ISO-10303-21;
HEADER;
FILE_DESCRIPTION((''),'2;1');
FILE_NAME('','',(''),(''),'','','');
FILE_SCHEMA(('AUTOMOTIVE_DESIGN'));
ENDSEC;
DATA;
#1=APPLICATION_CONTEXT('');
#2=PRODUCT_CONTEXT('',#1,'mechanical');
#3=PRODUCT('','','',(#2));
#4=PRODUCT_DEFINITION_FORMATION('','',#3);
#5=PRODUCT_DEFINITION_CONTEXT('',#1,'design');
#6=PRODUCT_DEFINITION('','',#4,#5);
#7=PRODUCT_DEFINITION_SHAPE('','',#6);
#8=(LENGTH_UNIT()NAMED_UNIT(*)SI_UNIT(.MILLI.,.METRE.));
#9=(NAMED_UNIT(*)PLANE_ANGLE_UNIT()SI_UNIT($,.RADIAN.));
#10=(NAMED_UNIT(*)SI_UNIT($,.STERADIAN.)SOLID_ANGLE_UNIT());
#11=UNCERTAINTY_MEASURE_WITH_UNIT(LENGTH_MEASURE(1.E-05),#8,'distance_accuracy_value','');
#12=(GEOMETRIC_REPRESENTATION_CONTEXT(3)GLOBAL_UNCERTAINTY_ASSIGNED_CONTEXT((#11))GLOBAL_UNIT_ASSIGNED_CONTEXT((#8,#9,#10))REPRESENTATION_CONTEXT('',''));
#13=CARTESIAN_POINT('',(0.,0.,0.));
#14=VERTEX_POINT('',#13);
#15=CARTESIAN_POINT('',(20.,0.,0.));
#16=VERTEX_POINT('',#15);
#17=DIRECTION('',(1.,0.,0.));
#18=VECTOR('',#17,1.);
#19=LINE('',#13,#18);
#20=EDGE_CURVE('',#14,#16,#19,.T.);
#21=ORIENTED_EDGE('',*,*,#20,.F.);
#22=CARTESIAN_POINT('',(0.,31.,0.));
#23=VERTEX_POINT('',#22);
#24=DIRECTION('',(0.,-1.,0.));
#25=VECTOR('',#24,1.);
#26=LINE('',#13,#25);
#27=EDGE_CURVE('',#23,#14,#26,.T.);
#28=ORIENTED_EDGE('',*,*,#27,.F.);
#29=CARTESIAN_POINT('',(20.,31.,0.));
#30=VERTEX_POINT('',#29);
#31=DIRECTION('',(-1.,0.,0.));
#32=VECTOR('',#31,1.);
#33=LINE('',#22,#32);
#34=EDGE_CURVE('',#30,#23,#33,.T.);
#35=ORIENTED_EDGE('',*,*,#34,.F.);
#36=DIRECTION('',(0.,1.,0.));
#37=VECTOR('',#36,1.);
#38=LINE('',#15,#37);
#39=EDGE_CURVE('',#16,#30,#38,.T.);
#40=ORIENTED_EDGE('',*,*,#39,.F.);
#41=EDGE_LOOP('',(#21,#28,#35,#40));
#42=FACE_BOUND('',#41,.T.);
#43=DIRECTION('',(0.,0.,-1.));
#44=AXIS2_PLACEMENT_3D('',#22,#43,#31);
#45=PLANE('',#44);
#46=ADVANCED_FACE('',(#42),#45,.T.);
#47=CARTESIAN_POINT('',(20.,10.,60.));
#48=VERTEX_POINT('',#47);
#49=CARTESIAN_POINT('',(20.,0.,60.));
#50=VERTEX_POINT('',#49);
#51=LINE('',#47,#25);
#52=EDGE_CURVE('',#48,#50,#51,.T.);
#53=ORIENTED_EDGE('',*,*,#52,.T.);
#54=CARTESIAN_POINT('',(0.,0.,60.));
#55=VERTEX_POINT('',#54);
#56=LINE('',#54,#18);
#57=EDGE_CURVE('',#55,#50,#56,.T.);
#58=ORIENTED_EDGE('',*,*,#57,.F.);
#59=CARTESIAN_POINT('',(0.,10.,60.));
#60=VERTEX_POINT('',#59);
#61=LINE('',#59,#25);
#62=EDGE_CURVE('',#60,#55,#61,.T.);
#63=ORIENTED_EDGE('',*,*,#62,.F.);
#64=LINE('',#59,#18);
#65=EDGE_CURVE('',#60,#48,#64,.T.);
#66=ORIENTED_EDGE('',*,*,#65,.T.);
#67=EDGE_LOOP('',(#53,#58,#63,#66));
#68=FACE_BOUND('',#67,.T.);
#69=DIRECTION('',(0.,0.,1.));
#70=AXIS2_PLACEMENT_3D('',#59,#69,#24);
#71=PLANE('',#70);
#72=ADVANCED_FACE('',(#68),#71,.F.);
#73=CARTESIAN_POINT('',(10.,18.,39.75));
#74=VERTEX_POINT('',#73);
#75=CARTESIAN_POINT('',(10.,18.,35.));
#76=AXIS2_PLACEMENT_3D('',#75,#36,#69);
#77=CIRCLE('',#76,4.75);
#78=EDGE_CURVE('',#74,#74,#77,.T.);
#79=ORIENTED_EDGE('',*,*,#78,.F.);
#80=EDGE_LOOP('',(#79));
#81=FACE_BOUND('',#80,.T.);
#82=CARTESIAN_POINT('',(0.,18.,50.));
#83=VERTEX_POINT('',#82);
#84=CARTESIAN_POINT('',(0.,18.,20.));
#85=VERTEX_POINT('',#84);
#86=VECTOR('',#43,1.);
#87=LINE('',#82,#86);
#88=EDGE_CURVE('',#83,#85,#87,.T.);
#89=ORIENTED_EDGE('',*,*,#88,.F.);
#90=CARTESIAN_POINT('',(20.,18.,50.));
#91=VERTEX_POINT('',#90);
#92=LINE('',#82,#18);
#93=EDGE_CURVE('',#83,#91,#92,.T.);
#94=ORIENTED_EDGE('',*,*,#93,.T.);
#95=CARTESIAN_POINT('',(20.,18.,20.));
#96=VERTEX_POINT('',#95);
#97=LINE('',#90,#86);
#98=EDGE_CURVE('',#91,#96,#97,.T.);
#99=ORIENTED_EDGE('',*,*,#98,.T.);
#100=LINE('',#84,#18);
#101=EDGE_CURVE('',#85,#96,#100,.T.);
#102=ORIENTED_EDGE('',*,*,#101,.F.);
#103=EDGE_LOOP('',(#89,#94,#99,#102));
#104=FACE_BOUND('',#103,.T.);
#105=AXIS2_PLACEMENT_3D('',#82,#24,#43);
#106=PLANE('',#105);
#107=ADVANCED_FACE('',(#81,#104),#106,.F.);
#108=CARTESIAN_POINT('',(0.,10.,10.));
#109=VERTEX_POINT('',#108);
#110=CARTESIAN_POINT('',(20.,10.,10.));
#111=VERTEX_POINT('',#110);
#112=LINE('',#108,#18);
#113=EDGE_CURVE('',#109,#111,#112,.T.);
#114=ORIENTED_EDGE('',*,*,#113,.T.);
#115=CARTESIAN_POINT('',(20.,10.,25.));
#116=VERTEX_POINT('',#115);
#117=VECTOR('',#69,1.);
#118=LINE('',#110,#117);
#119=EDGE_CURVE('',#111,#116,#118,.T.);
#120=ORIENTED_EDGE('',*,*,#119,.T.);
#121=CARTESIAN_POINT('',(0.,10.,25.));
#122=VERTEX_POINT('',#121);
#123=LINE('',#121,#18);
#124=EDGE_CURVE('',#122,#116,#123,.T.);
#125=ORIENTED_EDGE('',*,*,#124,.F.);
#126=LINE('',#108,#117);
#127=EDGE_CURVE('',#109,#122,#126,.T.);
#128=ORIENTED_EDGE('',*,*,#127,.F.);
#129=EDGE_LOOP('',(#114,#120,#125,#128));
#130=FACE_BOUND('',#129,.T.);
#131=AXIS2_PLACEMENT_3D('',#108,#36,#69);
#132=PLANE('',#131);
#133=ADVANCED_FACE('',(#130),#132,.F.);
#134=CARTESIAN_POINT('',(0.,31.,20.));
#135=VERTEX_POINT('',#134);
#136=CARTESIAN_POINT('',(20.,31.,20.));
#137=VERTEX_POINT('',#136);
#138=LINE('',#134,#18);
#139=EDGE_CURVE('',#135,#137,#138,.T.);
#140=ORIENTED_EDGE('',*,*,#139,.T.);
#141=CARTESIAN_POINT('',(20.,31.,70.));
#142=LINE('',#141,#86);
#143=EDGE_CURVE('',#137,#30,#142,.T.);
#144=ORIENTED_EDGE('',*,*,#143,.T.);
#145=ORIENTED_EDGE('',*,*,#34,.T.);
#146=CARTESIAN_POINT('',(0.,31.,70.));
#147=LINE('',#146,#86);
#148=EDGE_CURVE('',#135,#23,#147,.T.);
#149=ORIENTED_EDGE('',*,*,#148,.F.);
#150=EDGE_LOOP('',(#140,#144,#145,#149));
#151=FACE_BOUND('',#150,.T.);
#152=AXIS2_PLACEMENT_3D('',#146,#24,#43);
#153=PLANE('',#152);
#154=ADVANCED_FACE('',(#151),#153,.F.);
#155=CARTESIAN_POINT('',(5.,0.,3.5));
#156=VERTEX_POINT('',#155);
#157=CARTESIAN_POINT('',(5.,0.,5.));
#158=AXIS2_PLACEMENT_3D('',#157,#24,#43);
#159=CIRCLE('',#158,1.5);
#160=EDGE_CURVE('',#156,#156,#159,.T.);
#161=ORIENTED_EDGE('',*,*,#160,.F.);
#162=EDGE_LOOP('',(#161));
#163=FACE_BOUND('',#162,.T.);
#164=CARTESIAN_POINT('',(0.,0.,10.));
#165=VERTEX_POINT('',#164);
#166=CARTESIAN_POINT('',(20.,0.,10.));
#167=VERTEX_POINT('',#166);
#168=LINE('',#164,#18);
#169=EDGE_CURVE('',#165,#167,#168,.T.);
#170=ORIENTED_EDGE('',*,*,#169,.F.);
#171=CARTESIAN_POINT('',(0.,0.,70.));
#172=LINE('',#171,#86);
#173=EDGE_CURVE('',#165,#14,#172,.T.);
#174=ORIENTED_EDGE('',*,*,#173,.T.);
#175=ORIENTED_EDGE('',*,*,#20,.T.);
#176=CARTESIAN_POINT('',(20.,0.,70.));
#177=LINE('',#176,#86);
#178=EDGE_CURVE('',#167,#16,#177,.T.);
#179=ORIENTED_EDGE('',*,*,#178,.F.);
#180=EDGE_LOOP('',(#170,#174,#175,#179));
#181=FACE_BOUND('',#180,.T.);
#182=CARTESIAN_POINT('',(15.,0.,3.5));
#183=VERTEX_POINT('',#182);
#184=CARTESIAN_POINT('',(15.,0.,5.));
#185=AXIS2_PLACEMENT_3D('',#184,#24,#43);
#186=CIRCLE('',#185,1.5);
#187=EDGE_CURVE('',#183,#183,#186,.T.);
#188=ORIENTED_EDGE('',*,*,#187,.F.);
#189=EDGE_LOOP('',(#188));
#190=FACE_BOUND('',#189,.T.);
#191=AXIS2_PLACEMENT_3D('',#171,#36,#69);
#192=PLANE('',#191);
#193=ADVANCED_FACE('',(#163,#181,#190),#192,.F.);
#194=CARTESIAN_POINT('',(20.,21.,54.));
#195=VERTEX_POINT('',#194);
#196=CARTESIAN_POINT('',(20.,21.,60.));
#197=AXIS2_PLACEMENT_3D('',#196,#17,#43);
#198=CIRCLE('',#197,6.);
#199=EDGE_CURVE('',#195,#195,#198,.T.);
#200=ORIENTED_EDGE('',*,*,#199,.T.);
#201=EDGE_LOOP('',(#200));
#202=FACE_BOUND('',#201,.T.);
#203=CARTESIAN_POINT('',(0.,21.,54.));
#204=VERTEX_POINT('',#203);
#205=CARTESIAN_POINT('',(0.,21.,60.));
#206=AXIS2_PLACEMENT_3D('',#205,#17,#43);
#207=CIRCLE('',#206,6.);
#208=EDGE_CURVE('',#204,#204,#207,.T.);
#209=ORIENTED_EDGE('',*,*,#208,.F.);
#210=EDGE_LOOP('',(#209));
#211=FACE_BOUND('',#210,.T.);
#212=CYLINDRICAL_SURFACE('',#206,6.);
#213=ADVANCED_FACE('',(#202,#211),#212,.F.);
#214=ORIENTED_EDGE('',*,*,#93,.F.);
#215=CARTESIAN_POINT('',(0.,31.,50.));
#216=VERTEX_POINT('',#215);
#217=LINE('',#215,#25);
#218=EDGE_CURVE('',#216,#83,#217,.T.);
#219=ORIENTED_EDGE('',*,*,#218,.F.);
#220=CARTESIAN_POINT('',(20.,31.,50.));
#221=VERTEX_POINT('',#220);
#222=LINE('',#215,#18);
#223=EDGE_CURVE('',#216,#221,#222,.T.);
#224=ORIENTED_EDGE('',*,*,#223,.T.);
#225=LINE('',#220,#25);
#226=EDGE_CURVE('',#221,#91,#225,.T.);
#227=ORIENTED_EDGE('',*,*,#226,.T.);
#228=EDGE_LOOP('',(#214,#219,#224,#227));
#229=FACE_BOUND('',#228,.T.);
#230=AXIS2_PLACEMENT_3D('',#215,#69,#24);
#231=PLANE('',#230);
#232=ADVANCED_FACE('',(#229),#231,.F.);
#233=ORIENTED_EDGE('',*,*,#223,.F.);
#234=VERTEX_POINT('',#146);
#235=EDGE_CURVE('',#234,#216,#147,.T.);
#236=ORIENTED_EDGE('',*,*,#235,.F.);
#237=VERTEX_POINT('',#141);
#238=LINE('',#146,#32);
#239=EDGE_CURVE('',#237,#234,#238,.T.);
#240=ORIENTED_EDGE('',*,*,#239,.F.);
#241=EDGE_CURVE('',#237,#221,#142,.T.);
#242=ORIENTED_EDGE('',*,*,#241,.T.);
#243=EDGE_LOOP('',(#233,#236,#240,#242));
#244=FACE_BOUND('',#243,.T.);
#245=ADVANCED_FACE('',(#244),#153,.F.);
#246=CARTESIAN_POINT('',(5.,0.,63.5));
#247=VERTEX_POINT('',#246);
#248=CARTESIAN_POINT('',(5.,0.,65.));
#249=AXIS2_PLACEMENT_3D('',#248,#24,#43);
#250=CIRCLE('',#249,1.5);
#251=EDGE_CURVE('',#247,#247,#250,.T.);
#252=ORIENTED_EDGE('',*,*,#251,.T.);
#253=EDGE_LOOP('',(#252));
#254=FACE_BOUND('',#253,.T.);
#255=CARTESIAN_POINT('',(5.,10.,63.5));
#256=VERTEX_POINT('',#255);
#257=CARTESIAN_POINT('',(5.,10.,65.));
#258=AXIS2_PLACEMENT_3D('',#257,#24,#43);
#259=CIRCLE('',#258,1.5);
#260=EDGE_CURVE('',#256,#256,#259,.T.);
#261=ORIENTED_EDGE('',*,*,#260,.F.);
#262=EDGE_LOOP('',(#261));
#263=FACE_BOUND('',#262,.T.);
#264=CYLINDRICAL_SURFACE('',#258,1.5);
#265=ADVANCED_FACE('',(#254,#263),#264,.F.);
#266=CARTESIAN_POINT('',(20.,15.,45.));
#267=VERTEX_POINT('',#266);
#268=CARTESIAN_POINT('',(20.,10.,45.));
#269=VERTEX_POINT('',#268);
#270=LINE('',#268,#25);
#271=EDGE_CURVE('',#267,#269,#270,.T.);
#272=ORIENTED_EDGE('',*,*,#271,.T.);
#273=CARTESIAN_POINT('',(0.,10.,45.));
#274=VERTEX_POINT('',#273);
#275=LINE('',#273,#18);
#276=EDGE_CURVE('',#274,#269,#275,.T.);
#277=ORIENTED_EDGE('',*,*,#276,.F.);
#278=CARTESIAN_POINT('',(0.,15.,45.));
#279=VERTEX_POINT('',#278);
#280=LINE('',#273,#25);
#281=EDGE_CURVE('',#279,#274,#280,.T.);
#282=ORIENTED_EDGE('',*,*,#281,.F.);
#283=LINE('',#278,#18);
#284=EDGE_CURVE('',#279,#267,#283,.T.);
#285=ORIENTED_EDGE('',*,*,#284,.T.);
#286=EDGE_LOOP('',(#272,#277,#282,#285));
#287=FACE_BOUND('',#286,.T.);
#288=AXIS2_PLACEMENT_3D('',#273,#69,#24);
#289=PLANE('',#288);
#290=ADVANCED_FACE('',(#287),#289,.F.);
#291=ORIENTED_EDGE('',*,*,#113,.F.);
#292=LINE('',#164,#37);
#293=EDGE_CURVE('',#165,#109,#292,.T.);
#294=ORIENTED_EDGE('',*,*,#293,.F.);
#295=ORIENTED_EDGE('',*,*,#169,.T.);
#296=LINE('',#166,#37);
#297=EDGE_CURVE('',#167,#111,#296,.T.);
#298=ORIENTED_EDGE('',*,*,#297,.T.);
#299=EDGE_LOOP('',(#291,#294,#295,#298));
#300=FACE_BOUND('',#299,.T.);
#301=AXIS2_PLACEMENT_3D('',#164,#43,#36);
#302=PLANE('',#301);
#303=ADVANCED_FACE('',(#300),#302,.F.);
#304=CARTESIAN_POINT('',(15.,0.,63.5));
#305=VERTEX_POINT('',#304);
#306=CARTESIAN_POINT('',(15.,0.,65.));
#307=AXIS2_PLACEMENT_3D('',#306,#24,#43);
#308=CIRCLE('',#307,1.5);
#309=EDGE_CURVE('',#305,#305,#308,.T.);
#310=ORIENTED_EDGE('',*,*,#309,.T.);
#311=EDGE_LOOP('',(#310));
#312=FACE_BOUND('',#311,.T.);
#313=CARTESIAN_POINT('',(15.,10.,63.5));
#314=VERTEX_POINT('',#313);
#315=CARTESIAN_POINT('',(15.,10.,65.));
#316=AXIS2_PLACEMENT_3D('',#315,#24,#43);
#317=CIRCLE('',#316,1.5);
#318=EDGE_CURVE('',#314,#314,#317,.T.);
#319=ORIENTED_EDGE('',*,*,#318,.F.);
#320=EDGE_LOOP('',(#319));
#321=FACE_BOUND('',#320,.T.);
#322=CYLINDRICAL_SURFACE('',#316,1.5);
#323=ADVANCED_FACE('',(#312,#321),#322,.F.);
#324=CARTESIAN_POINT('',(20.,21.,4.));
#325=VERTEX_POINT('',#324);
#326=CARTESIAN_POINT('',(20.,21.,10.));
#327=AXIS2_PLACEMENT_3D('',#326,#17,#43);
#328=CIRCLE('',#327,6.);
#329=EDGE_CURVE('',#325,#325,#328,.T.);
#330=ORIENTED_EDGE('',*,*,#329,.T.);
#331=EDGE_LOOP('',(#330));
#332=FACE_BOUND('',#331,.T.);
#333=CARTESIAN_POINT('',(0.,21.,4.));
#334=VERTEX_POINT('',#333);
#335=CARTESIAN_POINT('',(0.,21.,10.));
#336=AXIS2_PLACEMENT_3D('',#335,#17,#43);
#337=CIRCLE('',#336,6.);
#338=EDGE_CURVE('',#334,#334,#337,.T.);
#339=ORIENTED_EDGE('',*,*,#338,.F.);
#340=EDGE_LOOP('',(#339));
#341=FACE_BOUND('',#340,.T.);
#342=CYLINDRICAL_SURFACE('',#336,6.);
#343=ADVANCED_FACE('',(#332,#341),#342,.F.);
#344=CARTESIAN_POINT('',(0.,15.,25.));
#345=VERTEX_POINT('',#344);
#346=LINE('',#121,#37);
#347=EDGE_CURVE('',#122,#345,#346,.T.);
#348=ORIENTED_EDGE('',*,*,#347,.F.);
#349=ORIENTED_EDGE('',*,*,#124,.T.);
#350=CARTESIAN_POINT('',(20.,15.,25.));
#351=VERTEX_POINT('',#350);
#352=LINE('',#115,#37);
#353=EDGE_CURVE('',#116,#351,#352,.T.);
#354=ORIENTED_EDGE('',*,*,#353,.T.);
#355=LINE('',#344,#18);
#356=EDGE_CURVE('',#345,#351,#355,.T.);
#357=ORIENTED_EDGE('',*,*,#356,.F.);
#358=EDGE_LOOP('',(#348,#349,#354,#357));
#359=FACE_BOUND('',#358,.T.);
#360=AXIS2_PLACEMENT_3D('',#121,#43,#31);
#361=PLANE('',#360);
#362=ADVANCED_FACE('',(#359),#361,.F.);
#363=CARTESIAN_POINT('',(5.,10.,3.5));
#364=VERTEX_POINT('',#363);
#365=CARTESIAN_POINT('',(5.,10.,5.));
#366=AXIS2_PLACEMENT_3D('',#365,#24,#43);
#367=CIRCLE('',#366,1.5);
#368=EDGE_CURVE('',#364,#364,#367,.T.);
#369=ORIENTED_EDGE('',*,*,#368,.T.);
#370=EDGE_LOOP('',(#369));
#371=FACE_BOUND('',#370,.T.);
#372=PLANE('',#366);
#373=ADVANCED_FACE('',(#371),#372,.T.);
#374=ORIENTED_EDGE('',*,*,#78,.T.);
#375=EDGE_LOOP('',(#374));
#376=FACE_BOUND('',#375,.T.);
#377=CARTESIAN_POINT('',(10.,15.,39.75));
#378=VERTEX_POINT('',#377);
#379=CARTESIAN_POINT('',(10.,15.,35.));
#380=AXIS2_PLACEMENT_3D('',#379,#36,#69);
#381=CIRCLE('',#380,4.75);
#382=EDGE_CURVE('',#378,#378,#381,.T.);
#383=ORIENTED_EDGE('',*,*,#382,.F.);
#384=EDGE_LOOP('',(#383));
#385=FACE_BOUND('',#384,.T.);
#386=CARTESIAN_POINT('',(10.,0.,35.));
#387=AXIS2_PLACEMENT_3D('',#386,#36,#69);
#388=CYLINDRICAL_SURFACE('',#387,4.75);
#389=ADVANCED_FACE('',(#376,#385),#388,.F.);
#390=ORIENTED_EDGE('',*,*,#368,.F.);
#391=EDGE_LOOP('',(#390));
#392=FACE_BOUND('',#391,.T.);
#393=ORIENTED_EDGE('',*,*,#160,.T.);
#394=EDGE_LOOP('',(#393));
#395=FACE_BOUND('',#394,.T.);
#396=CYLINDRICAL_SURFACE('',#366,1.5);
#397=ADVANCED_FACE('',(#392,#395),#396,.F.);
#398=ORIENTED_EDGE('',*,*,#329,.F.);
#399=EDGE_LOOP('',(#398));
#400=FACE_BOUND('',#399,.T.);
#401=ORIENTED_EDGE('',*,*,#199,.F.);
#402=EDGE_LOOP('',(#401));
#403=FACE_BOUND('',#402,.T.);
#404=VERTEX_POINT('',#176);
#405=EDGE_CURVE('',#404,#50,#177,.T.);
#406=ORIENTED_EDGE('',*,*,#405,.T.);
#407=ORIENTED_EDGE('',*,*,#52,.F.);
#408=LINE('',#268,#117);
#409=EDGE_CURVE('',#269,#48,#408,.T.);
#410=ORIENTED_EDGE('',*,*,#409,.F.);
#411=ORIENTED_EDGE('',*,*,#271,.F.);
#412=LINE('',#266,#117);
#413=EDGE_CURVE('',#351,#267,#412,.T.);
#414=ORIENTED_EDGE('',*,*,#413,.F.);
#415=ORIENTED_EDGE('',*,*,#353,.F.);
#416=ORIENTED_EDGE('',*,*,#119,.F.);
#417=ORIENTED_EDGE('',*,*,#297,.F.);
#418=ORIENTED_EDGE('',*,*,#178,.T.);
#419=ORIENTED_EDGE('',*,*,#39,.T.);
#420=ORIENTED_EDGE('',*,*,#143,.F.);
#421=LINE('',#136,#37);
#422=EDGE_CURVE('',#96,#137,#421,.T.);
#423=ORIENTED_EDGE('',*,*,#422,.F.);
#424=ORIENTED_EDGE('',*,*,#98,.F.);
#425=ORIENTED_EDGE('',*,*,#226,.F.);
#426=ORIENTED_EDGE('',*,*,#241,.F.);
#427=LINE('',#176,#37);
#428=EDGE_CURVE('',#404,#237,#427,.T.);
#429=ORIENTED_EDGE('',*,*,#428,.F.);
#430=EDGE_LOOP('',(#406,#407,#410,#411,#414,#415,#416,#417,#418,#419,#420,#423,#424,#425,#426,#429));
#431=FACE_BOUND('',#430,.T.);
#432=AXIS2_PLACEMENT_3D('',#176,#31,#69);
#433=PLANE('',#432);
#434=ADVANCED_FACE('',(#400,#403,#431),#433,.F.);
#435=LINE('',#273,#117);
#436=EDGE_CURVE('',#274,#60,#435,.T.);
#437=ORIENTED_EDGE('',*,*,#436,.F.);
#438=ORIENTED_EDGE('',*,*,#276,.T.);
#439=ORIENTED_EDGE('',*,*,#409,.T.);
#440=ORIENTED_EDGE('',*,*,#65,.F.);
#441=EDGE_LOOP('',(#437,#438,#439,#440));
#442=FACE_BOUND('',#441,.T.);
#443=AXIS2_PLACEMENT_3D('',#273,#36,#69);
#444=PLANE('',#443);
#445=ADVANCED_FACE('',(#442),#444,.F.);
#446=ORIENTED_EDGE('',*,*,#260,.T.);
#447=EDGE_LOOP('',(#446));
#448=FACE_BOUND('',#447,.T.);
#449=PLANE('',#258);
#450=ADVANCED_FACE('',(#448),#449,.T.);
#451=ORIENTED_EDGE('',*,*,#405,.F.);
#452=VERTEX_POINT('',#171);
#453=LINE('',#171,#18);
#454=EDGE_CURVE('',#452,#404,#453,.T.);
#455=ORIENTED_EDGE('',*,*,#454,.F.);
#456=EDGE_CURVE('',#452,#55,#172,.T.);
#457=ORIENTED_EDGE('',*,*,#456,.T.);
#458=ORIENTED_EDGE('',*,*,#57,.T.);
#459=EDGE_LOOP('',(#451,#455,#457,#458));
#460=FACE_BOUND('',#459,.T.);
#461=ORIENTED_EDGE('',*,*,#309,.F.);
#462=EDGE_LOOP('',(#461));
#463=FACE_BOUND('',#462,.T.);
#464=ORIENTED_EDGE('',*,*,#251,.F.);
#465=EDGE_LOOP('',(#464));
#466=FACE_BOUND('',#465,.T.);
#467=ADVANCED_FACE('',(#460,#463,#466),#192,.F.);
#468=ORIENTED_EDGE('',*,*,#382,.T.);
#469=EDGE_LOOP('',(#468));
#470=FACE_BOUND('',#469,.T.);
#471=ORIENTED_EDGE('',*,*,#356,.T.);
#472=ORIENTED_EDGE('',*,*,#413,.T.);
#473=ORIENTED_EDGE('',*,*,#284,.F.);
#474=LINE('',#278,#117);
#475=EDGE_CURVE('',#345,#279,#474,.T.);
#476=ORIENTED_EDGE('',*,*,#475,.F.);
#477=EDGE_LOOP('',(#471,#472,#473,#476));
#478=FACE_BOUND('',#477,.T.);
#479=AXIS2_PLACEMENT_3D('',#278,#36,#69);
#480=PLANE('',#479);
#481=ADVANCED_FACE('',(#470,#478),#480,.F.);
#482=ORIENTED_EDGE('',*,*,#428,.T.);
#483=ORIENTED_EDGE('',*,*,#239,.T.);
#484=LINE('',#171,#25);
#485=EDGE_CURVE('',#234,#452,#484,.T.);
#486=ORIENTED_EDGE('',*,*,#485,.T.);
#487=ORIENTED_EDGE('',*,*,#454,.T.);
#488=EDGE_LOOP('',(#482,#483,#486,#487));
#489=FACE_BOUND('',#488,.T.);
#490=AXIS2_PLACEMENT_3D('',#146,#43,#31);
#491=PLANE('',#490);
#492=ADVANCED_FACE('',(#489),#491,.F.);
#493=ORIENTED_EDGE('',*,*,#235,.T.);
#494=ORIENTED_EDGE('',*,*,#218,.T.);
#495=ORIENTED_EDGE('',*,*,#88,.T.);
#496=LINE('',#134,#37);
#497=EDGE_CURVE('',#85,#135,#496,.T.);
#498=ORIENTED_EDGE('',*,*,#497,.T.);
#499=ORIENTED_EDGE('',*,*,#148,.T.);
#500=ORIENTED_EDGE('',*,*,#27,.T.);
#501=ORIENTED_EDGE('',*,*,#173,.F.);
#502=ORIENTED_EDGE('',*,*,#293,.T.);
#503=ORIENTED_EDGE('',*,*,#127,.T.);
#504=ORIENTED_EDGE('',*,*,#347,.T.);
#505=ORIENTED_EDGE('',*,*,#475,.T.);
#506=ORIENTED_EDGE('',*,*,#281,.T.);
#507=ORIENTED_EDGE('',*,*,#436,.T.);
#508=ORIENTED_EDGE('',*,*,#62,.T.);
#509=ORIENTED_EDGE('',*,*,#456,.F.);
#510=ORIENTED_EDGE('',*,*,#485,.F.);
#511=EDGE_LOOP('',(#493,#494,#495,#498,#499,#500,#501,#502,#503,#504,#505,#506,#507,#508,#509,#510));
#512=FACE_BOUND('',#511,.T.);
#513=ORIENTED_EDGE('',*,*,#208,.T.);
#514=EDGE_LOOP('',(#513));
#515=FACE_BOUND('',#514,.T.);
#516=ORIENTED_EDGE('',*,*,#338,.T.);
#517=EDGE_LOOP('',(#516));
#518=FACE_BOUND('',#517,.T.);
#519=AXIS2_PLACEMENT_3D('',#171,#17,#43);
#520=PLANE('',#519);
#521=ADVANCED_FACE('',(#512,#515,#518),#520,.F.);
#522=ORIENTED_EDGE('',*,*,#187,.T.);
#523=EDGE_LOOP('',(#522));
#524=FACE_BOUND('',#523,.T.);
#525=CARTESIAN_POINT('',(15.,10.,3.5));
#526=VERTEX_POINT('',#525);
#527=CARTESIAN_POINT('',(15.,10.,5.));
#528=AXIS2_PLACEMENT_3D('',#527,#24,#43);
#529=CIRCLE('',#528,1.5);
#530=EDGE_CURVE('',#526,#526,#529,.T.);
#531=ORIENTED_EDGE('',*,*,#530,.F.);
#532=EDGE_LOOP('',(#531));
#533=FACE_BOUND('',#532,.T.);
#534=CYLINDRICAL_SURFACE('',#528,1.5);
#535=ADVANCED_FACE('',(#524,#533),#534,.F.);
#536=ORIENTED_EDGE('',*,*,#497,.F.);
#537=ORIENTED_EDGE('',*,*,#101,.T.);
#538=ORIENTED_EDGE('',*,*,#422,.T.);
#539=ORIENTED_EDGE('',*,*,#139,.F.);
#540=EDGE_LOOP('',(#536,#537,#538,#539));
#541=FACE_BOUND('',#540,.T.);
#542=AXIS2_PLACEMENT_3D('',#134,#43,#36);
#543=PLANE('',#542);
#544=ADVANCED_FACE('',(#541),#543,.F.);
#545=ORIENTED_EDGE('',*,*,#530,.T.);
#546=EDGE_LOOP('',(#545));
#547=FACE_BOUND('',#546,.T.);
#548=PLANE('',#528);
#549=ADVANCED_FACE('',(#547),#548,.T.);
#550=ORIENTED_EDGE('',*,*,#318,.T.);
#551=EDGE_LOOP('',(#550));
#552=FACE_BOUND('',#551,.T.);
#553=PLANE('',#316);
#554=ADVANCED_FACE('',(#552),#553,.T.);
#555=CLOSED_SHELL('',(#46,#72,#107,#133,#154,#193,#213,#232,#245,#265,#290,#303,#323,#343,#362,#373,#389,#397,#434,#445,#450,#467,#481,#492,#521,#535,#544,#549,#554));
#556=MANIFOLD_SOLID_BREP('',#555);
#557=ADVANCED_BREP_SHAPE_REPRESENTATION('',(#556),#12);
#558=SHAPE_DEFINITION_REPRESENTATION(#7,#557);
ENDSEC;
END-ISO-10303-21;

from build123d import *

# Parameters (mm, degrees)
ESQUISSE1_W             = 20
ESQUISSE1_H             = 31
EXTRUSION1_DEPTH        = 70
ESQUISSE2_W             = 30
ESQUISSE2_H             = 13
EXTRUSION2_DEPTH        = 80.126481029
ESQUISSE3_R             = 4.75
EXTRUSION3_DEPTH        = 75.993333037
ESQUISSE4_R             = 6
EXTRUSION4_DEPTH        = 80.126481029
ESQUISSE5_R             = 1.5
ENL_V_MAT_EXTRU_1_DEPTH = 10


with BuildPart() as part:
    # Esquisse1 → Extrusion1 (new body)
    with BuildSketch(Plane.XY):
        with Locations((10, 15.5)):
            Rectangle(ESQUISSE1_W, ESQUISSE1_H)
    extrude(amount=EXTRUSION1_DEPTH)

    # Esquisse2 → Extrusion2 (cut, through all)
    with BuildSketch(Plane(origin=(20, 0, 0), x_dir=(0, 0, -1), z_dir=(1, 0, 0))):
        with Locations((-35, 24.5)):
            Rectangle(ESQUISSE2_W, ESQUISSE2_H)
        Polygon((-45, 10), (-60, 10), (-60, 0), (-10, 0), (-10, 10), (-25, 10), (-25, 15), (-45, 15), align=None)
    extrude(amount=-EXTRUSION2_DEPTH, mode=Mode.SUBTRACT)

    # Esquisse3 → Extrusion3 (cut, through all)
    with BuildSketch(Plane(origin=(0, 18, 0), x_dir=(1, 0, 0), z_dir=(0, 1, 0))):
        with Locations(Location((10, -35, 0), (0, 0, 270))):
            Circle(ESQUISSE3_R)
    extrude(amount=-EXTRUSION3_DEPTH, mode=Mode.SUBTRACT)

    # Esquisse4 → Extrusion4 (cut, through all)
    with BuildSketch(Plane(origin=(20, 0, 0), x_dir=(0, 0, -1), z_dir=(1, 0, 0))):
        with Locations((-60, 21)):
            Circle(ESQUISSE4_R)
        with Locations((-10, 21)):
            Circle(ESQUISSE4_R)
    extrude(amount=-EXTRUSION4_DEPTH, mode=Mode.SUBTRACT)

    # Esquisse5 → Enlèv. mat.-Extru.1 (cut)
    with BuildSketch(Plane.XZ):
        with Locations(Location((5, 65, 0), (0, 0, 270))):
            Circle(ESQUISSE5_R)
        with Locations(Location((5, 5, 0), (0, 0, 270))):
            Circle(ESQUISSE5_R)
        with Locations(Location((15, 65, 0), (0, 0, 270))):
            Circle(ESQUISSE5_R)
        with Locations(Location((15, 5, 0), (0, 0, 270))):
            Circle(ESQUISSE5_R)
    extrude(amount=-ENL_V_MAT_EXTRU_1_DEPTH, mode=Mode.SUBTRACT)


solid = part.part
